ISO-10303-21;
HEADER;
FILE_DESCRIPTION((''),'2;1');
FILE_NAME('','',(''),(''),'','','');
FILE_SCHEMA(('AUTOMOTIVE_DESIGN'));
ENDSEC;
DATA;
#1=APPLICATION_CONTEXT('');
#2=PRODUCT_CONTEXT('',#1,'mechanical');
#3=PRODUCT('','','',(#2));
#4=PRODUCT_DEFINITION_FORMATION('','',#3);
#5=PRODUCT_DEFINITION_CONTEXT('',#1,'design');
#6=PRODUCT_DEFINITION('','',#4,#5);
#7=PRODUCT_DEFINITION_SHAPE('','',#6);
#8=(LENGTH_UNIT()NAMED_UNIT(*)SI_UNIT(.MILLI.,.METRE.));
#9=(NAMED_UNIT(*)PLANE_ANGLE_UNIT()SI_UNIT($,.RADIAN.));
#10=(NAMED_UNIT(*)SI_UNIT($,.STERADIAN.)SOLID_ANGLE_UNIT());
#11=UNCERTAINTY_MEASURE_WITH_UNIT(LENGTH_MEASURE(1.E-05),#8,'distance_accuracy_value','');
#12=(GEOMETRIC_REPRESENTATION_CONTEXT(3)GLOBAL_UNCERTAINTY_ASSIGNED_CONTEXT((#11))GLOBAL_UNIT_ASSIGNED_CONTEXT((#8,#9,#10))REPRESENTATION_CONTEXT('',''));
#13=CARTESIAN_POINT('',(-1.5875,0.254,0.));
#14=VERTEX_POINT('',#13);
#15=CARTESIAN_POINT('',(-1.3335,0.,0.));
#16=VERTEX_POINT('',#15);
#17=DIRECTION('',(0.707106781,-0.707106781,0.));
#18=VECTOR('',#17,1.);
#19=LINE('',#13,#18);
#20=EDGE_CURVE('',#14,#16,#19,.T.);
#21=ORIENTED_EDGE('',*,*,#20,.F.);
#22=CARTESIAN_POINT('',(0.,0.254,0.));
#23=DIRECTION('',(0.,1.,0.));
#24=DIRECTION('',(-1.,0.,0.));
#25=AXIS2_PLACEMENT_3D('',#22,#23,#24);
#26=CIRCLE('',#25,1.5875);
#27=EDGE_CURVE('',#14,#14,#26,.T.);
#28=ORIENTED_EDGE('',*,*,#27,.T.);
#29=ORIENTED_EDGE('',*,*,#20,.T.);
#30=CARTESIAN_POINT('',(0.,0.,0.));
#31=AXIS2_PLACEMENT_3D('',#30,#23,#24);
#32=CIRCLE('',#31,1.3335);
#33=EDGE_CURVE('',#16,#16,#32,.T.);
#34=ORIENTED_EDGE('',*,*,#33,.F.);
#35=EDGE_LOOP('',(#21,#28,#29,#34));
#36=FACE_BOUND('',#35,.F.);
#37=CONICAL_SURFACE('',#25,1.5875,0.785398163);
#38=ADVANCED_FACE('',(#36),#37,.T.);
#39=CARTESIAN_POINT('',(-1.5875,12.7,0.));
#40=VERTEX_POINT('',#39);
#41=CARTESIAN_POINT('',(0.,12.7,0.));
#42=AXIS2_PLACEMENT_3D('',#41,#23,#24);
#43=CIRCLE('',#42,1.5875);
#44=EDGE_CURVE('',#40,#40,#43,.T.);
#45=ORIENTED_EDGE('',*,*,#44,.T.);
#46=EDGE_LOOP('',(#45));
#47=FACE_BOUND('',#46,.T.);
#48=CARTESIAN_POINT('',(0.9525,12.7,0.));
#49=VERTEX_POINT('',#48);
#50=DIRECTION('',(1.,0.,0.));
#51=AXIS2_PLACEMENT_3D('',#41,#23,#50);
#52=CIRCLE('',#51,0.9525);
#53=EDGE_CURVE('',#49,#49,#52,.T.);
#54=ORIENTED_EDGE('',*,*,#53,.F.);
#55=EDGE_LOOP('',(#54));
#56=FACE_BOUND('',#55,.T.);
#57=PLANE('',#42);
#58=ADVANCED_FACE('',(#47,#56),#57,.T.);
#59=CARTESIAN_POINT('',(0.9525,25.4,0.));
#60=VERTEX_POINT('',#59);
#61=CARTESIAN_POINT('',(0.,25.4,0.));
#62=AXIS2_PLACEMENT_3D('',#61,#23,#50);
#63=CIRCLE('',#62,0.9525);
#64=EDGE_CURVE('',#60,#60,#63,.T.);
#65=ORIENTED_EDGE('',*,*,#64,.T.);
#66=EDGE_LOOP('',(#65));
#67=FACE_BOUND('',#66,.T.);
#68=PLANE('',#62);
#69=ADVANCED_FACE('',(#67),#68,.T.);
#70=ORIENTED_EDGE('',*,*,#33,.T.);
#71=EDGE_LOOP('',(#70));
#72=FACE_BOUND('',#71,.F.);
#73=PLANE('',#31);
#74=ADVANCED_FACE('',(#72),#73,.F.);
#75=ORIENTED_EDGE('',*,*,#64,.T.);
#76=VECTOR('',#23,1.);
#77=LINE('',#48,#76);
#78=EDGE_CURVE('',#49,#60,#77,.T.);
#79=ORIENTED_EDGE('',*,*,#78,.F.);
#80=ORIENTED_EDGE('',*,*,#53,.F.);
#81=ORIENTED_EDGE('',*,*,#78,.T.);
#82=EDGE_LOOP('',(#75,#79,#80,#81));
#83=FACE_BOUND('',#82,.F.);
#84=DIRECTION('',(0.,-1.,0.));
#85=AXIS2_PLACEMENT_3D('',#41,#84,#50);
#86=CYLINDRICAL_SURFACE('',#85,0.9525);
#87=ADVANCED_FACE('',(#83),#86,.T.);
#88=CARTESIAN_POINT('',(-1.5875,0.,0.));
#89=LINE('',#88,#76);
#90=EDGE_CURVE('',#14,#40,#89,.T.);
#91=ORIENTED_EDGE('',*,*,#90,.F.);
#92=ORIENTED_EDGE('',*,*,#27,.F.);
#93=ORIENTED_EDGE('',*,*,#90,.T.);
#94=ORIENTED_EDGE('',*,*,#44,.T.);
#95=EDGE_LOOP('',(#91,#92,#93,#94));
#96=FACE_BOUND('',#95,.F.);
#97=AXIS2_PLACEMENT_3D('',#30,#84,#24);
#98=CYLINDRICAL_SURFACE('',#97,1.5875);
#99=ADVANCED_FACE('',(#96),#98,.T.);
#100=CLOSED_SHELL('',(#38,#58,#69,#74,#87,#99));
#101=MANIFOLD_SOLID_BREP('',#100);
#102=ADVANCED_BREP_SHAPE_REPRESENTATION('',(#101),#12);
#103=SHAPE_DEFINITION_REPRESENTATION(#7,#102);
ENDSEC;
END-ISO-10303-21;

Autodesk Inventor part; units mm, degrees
ref_plane "YZ Plane" through (0, 0, 0) normal (1, 0, 0) x (0, 1, 0)
ref_plane "XZ Plane" through (0, 0, 0) normal (0, 1, 0) x (-1, 0, 0)
ref_plane "XY Plane" through (0, 0, 0) normal (0, 0, 1) x (1, 0, 0)
sketch "Sketch1" plane through (0, 0, 0) normal (0, 1, 0) x (-1, 0, 0)
  circle A0 centre (0, 0) radius 1.5875
  dimension "d0" = 3.175
extrude "Extrusion1" add sketch "Sketch1" along normal blind 12.7
thread "Thread1" size "5-40 UNC" class "2A" standard "ANSI Unified Screw Threads" length 12.7
chamfer "Chamfer1" distance 0.254 angle 45 1 edges at (1.5875, 0, 0)
sketch "Sketch3" plane through (0, 12.7, 0) normal (0, 1, 0) x (1, 0, 0)
  circle A0 centre (0, 0) radius 0.9525
  dimension "d11" = 1.905
extrude "Extrusion3" add sketch "Sketch3" along normal blind 12.7
properties part number "burner rodx3 part 1" material "Stainless Steel"
